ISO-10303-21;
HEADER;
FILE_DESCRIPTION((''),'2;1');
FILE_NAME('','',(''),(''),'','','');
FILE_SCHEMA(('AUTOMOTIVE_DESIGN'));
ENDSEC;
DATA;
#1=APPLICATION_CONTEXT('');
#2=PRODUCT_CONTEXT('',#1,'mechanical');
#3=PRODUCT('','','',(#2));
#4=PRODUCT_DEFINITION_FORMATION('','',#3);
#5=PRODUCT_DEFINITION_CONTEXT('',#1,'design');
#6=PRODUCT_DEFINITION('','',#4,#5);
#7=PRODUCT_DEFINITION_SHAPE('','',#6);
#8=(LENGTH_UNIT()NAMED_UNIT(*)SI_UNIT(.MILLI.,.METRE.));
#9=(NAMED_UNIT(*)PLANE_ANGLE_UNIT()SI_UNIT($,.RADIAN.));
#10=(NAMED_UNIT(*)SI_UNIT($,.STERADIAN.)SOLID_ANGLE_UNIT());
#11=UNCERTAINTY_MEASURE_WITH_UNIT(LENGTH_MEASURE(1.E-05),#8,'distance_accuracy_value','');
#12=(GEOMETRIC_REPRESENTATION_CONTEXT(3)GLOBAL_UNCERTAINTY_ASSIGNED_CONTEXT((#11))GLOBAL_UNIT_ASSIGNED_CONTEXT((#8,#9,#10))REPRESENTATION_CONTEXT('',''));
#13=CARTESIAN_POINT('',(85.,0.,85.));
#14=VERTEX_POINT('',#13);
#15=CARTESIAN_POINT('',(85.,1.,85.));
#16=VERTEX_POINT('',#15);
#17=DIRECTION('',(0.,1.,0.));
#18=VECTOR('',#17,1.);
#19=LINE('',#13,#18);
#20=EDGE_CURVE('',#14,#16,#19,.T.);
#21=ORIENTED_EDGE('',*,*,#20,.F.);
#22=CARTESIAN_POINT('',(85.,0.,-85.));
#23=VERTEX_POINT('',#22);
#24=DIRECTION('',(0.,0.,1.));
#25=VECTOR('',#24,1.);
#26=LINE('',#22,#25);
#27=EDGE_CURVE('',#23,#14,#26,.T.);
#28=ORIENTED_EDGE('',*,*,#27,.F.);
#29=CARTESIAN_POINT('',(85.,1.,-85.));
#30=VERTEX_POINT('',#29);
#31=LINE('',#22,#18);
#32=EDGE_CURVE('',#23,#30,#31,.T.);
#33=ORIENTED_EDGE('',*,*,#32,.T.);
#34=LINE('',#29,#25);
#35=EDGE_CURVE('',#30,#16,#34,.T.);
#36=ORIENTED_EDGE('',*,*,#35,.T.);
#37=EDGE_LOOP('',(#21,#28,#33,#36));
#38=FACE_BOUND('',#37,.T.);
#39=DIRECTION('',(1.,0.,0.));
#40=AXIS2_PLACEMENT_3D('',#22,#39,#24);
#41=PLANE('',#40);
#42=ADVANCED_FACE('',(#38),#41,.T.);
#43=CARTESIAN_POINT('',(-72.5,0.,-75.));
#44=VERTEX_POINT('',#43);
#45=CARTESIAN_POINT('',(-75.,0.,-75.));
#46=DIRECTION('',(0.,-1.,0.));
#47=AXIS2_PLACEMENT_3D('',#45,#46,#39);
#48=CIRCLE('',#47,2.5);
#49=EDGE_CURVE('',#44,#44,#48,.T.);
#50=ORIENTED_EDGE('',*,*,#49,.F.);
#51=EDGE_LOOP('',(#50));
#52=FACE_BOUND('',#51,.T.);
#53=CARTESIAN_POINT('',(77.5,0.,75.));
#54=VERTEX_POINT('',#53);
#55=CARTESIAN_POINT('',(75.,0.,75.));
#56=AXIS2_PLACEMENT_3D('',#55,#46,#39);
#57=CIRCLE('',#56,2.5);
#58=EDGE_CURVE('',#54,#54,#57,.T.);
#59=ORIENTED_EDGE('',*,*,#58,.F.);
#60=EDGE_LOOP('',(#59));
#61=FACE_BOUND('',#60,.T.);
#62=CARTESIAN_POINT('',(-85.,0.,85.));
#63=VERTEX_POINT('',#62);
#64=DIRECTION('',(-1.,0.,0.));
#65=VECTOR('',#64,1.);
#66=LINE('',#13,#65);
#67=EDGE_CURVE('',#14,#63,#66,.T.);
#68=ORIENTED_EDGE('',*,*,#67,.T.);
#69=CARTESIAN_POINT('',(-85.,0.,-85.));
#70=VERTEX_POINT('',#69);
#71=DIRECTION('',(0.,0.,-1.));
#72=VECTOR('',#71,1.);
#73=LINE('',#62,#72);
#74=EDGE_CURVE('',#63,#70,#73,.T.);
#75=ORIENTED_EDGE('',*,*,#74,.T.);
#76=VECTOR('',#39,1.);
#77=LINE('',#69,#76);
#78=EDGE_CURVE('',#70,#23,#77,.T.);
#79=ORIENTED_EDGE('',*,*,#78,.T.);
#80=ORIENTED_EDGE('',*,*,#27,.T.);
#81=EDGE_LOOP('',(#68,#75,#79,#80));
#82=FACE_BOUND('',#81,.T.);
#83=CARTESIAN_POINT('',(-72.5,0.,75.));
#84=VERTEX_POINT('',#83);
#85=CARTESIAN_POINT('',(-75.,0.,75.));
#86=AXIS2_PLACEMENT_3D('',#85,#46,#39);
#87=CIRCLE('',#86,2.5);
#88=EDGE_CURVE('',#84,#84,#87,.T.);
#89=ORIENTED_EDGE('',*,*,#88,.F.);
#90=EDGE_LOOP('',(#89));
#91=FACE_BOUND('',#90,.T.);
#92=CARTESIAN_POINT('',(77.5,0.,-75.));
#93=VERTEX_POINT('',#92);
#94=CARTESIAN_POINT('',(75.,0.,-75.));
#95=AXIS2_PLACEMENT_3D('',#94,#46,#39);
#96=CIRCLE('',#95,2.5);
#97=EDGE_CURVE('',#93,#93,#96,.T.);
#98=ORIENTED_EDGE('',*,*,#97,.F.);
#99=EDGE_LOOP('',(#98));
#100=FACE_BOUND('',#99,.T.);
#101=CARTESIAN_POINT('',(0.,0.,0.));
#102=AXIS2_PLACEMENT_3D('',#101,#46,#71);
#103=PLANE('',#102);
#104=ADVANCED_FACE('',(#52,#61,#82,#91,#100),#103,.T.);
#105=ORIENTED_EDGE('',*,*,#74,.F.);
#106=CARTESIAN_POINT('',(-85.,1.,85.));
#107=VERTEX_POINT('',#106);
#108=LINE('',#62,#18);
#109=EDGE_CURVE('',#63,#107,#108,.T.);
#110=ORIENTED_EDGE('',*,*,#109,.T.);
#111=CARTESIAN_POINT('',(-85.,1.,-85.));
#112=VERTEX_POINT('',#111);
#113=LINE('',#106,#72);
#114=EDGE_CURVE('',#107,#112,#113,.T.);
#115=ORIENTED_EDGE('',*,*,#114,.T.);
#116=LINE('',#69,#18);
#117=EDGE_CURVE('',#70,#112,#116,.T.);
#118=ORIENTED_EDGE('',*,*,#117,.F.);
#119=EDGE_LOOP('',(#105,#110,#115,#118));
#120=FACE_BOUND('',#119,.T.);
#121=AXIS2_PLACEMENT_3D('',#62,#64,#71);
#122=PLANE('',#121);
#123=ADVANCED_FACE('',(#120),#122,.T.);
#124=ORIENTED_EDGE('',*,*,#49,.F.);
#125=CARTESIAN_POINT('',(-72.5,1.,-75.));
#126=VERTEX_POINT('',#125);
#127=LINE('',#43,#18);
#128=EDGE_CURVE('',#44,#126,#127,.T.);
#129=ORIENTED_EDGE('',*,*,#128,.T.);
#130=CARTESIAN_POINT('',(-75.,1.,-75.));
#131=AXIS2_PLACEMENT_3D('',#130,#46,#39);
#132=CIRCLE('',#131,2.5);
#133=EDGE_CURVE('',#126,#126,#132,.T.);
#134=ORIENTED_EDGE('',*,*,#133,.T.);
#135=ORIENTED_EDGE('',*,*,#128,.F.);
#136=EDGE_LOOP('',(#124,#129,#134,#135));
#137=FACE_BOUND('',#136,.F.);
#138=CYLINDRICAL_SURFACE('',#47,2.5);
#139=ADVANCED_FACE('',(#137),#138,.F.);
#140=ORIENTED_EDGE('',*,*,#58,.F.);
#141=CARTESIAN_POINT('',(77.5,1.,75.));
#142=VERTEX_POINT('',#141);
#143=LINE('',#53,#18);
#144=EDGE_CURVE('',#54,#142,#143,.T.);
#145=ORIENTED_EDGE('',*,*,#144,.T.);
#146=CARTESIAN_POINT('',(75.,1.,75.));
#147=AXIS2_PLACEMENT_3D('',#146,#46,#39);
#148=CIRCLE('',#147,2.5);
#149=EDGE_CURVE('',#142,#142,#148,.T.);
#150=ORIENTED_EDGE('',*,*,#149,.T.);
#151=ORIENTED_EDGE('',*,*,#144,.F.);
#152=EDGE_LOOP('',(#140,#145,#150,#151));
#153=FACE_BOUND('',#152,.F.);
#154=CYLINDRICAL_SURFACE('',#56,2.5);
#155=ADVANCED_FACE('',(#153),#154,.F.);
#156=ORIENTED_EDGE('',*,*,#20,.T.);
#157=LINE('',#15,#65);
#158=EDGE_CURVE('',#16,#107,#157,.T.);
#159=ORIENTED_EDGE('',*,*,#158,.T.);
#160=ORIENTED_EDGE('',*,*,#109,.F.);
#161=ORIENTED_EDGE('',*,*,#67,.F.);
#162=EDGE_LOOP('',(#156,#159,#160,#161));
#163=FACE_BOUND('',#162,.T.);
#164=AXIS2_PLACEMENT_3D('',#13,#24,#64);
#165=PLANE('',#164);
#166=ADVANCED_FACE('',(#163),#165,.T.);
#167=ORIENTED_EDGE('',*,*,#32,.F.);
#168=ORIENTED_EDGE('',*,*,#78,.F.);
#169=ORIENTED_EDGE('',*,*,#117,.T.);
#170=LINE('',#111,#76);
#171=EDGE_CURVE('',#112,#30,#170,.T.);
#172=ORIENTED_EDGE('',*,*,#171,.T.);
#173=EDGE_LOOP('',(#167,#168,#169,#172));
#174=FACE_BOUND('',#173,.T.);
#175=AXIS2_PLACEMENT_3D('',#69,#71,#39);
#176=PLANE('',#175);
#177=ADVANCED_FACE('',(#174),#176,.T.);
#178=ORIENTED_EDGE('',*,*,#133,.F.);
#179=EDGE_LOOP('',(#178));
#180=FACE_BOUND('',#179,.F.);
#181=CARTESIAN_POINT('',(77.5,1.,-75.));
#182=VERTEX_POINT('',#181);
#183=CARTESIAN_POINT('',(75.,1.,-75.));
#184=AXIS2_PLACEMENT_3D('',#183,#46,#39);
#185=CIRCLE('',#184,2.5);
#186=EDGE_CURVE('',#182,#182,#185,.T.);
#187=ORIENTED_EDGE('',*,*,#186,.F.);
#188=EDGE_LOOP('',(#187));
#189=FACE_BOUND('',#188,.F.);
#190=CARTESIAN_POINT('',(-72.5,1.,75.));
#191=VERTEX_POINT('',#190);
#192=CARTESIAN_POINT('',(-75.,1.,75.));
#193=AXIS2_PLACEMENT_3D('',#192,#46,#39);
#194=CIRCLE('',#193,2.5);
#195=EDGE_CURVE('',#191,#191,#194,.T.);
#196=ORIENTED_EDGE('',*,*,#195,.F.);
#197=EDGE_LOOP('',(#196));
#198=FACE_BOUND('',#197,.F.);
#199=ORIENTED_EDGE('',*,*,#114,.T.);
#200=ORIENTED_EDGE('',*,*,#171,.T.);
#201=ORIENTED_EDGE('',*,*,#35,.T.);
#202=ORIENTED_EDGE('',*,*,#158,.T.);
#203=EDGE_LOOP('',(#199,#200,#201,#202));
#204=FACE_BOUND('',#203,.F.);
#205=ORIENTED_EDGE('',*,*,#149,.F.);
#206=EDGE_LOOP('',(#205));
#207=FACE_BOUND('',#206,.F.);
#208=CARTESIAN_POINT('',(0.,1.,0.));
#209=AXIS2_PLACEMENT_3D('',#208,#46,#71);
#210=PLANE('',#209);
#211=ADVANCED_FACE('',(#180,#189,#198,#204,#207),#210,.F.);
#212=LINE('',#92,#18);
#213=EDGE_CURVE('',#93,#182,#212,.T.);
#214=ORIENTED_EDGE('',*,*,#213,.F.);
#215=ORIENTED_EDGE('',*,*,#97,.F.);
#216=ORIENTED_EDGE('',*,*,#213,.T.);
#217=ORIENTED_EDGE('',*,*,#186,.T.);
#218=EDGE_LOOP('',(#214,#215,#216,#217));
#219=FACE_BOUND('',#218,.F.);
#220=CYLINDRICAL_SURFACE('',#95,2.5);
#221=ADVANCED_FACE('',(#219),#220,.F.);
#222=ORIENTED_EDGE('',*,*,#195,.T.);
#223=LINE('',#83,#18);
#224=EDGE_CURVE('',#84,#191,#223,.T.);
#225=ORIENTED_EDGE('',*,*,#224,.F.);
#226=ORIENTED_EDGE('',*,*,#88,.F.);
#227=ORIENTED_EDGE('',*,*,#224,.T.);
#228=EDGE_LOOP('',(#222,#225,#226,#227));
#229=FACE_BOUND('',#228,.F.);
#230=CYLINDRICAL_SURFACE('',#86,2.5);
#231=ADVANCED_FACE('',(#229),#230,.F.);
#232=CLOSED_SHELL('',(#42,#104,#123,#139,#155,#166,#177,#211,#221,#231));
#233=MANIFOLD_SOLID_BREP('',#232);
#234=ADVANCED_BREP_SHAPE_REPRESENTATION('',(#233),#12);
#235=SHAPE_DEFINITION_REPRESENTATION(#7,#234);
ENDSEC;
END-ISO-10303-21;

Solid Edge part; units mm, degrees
sketch "Sketch1" plane through (0, 0, 0) normal (0, -1, 0) x (1, 0, 0)
  line L0 (85, 85) -> (-85, 85)
  line L1 (-85, 85) -> (-85, -85)
  line L2 (-85, -85) -> (85, -85)
  line L3 (85, -85) -> (85, 85)
extrude "Protrusion1" add sketch "Sketch1" against normal blind 1
sketch "Sketch2" plane through (0, 0, 0) normal (0, -1, 0) x (1, 0, 0)
  circle A0 centre (-75, 75) radius 2.5
  circle A1 centre (75, 75) radius 2.5
  circle A2 centre (75, -75) radius 2.5
  circle A3 centre (-75, -75) radius 2.5
  dimension "D1" = 170
  dimension "D2" = 170
extrude "Cutout1" cut sketch "Sketch2" against normal through all
properties material "Aluminum, 1060"
